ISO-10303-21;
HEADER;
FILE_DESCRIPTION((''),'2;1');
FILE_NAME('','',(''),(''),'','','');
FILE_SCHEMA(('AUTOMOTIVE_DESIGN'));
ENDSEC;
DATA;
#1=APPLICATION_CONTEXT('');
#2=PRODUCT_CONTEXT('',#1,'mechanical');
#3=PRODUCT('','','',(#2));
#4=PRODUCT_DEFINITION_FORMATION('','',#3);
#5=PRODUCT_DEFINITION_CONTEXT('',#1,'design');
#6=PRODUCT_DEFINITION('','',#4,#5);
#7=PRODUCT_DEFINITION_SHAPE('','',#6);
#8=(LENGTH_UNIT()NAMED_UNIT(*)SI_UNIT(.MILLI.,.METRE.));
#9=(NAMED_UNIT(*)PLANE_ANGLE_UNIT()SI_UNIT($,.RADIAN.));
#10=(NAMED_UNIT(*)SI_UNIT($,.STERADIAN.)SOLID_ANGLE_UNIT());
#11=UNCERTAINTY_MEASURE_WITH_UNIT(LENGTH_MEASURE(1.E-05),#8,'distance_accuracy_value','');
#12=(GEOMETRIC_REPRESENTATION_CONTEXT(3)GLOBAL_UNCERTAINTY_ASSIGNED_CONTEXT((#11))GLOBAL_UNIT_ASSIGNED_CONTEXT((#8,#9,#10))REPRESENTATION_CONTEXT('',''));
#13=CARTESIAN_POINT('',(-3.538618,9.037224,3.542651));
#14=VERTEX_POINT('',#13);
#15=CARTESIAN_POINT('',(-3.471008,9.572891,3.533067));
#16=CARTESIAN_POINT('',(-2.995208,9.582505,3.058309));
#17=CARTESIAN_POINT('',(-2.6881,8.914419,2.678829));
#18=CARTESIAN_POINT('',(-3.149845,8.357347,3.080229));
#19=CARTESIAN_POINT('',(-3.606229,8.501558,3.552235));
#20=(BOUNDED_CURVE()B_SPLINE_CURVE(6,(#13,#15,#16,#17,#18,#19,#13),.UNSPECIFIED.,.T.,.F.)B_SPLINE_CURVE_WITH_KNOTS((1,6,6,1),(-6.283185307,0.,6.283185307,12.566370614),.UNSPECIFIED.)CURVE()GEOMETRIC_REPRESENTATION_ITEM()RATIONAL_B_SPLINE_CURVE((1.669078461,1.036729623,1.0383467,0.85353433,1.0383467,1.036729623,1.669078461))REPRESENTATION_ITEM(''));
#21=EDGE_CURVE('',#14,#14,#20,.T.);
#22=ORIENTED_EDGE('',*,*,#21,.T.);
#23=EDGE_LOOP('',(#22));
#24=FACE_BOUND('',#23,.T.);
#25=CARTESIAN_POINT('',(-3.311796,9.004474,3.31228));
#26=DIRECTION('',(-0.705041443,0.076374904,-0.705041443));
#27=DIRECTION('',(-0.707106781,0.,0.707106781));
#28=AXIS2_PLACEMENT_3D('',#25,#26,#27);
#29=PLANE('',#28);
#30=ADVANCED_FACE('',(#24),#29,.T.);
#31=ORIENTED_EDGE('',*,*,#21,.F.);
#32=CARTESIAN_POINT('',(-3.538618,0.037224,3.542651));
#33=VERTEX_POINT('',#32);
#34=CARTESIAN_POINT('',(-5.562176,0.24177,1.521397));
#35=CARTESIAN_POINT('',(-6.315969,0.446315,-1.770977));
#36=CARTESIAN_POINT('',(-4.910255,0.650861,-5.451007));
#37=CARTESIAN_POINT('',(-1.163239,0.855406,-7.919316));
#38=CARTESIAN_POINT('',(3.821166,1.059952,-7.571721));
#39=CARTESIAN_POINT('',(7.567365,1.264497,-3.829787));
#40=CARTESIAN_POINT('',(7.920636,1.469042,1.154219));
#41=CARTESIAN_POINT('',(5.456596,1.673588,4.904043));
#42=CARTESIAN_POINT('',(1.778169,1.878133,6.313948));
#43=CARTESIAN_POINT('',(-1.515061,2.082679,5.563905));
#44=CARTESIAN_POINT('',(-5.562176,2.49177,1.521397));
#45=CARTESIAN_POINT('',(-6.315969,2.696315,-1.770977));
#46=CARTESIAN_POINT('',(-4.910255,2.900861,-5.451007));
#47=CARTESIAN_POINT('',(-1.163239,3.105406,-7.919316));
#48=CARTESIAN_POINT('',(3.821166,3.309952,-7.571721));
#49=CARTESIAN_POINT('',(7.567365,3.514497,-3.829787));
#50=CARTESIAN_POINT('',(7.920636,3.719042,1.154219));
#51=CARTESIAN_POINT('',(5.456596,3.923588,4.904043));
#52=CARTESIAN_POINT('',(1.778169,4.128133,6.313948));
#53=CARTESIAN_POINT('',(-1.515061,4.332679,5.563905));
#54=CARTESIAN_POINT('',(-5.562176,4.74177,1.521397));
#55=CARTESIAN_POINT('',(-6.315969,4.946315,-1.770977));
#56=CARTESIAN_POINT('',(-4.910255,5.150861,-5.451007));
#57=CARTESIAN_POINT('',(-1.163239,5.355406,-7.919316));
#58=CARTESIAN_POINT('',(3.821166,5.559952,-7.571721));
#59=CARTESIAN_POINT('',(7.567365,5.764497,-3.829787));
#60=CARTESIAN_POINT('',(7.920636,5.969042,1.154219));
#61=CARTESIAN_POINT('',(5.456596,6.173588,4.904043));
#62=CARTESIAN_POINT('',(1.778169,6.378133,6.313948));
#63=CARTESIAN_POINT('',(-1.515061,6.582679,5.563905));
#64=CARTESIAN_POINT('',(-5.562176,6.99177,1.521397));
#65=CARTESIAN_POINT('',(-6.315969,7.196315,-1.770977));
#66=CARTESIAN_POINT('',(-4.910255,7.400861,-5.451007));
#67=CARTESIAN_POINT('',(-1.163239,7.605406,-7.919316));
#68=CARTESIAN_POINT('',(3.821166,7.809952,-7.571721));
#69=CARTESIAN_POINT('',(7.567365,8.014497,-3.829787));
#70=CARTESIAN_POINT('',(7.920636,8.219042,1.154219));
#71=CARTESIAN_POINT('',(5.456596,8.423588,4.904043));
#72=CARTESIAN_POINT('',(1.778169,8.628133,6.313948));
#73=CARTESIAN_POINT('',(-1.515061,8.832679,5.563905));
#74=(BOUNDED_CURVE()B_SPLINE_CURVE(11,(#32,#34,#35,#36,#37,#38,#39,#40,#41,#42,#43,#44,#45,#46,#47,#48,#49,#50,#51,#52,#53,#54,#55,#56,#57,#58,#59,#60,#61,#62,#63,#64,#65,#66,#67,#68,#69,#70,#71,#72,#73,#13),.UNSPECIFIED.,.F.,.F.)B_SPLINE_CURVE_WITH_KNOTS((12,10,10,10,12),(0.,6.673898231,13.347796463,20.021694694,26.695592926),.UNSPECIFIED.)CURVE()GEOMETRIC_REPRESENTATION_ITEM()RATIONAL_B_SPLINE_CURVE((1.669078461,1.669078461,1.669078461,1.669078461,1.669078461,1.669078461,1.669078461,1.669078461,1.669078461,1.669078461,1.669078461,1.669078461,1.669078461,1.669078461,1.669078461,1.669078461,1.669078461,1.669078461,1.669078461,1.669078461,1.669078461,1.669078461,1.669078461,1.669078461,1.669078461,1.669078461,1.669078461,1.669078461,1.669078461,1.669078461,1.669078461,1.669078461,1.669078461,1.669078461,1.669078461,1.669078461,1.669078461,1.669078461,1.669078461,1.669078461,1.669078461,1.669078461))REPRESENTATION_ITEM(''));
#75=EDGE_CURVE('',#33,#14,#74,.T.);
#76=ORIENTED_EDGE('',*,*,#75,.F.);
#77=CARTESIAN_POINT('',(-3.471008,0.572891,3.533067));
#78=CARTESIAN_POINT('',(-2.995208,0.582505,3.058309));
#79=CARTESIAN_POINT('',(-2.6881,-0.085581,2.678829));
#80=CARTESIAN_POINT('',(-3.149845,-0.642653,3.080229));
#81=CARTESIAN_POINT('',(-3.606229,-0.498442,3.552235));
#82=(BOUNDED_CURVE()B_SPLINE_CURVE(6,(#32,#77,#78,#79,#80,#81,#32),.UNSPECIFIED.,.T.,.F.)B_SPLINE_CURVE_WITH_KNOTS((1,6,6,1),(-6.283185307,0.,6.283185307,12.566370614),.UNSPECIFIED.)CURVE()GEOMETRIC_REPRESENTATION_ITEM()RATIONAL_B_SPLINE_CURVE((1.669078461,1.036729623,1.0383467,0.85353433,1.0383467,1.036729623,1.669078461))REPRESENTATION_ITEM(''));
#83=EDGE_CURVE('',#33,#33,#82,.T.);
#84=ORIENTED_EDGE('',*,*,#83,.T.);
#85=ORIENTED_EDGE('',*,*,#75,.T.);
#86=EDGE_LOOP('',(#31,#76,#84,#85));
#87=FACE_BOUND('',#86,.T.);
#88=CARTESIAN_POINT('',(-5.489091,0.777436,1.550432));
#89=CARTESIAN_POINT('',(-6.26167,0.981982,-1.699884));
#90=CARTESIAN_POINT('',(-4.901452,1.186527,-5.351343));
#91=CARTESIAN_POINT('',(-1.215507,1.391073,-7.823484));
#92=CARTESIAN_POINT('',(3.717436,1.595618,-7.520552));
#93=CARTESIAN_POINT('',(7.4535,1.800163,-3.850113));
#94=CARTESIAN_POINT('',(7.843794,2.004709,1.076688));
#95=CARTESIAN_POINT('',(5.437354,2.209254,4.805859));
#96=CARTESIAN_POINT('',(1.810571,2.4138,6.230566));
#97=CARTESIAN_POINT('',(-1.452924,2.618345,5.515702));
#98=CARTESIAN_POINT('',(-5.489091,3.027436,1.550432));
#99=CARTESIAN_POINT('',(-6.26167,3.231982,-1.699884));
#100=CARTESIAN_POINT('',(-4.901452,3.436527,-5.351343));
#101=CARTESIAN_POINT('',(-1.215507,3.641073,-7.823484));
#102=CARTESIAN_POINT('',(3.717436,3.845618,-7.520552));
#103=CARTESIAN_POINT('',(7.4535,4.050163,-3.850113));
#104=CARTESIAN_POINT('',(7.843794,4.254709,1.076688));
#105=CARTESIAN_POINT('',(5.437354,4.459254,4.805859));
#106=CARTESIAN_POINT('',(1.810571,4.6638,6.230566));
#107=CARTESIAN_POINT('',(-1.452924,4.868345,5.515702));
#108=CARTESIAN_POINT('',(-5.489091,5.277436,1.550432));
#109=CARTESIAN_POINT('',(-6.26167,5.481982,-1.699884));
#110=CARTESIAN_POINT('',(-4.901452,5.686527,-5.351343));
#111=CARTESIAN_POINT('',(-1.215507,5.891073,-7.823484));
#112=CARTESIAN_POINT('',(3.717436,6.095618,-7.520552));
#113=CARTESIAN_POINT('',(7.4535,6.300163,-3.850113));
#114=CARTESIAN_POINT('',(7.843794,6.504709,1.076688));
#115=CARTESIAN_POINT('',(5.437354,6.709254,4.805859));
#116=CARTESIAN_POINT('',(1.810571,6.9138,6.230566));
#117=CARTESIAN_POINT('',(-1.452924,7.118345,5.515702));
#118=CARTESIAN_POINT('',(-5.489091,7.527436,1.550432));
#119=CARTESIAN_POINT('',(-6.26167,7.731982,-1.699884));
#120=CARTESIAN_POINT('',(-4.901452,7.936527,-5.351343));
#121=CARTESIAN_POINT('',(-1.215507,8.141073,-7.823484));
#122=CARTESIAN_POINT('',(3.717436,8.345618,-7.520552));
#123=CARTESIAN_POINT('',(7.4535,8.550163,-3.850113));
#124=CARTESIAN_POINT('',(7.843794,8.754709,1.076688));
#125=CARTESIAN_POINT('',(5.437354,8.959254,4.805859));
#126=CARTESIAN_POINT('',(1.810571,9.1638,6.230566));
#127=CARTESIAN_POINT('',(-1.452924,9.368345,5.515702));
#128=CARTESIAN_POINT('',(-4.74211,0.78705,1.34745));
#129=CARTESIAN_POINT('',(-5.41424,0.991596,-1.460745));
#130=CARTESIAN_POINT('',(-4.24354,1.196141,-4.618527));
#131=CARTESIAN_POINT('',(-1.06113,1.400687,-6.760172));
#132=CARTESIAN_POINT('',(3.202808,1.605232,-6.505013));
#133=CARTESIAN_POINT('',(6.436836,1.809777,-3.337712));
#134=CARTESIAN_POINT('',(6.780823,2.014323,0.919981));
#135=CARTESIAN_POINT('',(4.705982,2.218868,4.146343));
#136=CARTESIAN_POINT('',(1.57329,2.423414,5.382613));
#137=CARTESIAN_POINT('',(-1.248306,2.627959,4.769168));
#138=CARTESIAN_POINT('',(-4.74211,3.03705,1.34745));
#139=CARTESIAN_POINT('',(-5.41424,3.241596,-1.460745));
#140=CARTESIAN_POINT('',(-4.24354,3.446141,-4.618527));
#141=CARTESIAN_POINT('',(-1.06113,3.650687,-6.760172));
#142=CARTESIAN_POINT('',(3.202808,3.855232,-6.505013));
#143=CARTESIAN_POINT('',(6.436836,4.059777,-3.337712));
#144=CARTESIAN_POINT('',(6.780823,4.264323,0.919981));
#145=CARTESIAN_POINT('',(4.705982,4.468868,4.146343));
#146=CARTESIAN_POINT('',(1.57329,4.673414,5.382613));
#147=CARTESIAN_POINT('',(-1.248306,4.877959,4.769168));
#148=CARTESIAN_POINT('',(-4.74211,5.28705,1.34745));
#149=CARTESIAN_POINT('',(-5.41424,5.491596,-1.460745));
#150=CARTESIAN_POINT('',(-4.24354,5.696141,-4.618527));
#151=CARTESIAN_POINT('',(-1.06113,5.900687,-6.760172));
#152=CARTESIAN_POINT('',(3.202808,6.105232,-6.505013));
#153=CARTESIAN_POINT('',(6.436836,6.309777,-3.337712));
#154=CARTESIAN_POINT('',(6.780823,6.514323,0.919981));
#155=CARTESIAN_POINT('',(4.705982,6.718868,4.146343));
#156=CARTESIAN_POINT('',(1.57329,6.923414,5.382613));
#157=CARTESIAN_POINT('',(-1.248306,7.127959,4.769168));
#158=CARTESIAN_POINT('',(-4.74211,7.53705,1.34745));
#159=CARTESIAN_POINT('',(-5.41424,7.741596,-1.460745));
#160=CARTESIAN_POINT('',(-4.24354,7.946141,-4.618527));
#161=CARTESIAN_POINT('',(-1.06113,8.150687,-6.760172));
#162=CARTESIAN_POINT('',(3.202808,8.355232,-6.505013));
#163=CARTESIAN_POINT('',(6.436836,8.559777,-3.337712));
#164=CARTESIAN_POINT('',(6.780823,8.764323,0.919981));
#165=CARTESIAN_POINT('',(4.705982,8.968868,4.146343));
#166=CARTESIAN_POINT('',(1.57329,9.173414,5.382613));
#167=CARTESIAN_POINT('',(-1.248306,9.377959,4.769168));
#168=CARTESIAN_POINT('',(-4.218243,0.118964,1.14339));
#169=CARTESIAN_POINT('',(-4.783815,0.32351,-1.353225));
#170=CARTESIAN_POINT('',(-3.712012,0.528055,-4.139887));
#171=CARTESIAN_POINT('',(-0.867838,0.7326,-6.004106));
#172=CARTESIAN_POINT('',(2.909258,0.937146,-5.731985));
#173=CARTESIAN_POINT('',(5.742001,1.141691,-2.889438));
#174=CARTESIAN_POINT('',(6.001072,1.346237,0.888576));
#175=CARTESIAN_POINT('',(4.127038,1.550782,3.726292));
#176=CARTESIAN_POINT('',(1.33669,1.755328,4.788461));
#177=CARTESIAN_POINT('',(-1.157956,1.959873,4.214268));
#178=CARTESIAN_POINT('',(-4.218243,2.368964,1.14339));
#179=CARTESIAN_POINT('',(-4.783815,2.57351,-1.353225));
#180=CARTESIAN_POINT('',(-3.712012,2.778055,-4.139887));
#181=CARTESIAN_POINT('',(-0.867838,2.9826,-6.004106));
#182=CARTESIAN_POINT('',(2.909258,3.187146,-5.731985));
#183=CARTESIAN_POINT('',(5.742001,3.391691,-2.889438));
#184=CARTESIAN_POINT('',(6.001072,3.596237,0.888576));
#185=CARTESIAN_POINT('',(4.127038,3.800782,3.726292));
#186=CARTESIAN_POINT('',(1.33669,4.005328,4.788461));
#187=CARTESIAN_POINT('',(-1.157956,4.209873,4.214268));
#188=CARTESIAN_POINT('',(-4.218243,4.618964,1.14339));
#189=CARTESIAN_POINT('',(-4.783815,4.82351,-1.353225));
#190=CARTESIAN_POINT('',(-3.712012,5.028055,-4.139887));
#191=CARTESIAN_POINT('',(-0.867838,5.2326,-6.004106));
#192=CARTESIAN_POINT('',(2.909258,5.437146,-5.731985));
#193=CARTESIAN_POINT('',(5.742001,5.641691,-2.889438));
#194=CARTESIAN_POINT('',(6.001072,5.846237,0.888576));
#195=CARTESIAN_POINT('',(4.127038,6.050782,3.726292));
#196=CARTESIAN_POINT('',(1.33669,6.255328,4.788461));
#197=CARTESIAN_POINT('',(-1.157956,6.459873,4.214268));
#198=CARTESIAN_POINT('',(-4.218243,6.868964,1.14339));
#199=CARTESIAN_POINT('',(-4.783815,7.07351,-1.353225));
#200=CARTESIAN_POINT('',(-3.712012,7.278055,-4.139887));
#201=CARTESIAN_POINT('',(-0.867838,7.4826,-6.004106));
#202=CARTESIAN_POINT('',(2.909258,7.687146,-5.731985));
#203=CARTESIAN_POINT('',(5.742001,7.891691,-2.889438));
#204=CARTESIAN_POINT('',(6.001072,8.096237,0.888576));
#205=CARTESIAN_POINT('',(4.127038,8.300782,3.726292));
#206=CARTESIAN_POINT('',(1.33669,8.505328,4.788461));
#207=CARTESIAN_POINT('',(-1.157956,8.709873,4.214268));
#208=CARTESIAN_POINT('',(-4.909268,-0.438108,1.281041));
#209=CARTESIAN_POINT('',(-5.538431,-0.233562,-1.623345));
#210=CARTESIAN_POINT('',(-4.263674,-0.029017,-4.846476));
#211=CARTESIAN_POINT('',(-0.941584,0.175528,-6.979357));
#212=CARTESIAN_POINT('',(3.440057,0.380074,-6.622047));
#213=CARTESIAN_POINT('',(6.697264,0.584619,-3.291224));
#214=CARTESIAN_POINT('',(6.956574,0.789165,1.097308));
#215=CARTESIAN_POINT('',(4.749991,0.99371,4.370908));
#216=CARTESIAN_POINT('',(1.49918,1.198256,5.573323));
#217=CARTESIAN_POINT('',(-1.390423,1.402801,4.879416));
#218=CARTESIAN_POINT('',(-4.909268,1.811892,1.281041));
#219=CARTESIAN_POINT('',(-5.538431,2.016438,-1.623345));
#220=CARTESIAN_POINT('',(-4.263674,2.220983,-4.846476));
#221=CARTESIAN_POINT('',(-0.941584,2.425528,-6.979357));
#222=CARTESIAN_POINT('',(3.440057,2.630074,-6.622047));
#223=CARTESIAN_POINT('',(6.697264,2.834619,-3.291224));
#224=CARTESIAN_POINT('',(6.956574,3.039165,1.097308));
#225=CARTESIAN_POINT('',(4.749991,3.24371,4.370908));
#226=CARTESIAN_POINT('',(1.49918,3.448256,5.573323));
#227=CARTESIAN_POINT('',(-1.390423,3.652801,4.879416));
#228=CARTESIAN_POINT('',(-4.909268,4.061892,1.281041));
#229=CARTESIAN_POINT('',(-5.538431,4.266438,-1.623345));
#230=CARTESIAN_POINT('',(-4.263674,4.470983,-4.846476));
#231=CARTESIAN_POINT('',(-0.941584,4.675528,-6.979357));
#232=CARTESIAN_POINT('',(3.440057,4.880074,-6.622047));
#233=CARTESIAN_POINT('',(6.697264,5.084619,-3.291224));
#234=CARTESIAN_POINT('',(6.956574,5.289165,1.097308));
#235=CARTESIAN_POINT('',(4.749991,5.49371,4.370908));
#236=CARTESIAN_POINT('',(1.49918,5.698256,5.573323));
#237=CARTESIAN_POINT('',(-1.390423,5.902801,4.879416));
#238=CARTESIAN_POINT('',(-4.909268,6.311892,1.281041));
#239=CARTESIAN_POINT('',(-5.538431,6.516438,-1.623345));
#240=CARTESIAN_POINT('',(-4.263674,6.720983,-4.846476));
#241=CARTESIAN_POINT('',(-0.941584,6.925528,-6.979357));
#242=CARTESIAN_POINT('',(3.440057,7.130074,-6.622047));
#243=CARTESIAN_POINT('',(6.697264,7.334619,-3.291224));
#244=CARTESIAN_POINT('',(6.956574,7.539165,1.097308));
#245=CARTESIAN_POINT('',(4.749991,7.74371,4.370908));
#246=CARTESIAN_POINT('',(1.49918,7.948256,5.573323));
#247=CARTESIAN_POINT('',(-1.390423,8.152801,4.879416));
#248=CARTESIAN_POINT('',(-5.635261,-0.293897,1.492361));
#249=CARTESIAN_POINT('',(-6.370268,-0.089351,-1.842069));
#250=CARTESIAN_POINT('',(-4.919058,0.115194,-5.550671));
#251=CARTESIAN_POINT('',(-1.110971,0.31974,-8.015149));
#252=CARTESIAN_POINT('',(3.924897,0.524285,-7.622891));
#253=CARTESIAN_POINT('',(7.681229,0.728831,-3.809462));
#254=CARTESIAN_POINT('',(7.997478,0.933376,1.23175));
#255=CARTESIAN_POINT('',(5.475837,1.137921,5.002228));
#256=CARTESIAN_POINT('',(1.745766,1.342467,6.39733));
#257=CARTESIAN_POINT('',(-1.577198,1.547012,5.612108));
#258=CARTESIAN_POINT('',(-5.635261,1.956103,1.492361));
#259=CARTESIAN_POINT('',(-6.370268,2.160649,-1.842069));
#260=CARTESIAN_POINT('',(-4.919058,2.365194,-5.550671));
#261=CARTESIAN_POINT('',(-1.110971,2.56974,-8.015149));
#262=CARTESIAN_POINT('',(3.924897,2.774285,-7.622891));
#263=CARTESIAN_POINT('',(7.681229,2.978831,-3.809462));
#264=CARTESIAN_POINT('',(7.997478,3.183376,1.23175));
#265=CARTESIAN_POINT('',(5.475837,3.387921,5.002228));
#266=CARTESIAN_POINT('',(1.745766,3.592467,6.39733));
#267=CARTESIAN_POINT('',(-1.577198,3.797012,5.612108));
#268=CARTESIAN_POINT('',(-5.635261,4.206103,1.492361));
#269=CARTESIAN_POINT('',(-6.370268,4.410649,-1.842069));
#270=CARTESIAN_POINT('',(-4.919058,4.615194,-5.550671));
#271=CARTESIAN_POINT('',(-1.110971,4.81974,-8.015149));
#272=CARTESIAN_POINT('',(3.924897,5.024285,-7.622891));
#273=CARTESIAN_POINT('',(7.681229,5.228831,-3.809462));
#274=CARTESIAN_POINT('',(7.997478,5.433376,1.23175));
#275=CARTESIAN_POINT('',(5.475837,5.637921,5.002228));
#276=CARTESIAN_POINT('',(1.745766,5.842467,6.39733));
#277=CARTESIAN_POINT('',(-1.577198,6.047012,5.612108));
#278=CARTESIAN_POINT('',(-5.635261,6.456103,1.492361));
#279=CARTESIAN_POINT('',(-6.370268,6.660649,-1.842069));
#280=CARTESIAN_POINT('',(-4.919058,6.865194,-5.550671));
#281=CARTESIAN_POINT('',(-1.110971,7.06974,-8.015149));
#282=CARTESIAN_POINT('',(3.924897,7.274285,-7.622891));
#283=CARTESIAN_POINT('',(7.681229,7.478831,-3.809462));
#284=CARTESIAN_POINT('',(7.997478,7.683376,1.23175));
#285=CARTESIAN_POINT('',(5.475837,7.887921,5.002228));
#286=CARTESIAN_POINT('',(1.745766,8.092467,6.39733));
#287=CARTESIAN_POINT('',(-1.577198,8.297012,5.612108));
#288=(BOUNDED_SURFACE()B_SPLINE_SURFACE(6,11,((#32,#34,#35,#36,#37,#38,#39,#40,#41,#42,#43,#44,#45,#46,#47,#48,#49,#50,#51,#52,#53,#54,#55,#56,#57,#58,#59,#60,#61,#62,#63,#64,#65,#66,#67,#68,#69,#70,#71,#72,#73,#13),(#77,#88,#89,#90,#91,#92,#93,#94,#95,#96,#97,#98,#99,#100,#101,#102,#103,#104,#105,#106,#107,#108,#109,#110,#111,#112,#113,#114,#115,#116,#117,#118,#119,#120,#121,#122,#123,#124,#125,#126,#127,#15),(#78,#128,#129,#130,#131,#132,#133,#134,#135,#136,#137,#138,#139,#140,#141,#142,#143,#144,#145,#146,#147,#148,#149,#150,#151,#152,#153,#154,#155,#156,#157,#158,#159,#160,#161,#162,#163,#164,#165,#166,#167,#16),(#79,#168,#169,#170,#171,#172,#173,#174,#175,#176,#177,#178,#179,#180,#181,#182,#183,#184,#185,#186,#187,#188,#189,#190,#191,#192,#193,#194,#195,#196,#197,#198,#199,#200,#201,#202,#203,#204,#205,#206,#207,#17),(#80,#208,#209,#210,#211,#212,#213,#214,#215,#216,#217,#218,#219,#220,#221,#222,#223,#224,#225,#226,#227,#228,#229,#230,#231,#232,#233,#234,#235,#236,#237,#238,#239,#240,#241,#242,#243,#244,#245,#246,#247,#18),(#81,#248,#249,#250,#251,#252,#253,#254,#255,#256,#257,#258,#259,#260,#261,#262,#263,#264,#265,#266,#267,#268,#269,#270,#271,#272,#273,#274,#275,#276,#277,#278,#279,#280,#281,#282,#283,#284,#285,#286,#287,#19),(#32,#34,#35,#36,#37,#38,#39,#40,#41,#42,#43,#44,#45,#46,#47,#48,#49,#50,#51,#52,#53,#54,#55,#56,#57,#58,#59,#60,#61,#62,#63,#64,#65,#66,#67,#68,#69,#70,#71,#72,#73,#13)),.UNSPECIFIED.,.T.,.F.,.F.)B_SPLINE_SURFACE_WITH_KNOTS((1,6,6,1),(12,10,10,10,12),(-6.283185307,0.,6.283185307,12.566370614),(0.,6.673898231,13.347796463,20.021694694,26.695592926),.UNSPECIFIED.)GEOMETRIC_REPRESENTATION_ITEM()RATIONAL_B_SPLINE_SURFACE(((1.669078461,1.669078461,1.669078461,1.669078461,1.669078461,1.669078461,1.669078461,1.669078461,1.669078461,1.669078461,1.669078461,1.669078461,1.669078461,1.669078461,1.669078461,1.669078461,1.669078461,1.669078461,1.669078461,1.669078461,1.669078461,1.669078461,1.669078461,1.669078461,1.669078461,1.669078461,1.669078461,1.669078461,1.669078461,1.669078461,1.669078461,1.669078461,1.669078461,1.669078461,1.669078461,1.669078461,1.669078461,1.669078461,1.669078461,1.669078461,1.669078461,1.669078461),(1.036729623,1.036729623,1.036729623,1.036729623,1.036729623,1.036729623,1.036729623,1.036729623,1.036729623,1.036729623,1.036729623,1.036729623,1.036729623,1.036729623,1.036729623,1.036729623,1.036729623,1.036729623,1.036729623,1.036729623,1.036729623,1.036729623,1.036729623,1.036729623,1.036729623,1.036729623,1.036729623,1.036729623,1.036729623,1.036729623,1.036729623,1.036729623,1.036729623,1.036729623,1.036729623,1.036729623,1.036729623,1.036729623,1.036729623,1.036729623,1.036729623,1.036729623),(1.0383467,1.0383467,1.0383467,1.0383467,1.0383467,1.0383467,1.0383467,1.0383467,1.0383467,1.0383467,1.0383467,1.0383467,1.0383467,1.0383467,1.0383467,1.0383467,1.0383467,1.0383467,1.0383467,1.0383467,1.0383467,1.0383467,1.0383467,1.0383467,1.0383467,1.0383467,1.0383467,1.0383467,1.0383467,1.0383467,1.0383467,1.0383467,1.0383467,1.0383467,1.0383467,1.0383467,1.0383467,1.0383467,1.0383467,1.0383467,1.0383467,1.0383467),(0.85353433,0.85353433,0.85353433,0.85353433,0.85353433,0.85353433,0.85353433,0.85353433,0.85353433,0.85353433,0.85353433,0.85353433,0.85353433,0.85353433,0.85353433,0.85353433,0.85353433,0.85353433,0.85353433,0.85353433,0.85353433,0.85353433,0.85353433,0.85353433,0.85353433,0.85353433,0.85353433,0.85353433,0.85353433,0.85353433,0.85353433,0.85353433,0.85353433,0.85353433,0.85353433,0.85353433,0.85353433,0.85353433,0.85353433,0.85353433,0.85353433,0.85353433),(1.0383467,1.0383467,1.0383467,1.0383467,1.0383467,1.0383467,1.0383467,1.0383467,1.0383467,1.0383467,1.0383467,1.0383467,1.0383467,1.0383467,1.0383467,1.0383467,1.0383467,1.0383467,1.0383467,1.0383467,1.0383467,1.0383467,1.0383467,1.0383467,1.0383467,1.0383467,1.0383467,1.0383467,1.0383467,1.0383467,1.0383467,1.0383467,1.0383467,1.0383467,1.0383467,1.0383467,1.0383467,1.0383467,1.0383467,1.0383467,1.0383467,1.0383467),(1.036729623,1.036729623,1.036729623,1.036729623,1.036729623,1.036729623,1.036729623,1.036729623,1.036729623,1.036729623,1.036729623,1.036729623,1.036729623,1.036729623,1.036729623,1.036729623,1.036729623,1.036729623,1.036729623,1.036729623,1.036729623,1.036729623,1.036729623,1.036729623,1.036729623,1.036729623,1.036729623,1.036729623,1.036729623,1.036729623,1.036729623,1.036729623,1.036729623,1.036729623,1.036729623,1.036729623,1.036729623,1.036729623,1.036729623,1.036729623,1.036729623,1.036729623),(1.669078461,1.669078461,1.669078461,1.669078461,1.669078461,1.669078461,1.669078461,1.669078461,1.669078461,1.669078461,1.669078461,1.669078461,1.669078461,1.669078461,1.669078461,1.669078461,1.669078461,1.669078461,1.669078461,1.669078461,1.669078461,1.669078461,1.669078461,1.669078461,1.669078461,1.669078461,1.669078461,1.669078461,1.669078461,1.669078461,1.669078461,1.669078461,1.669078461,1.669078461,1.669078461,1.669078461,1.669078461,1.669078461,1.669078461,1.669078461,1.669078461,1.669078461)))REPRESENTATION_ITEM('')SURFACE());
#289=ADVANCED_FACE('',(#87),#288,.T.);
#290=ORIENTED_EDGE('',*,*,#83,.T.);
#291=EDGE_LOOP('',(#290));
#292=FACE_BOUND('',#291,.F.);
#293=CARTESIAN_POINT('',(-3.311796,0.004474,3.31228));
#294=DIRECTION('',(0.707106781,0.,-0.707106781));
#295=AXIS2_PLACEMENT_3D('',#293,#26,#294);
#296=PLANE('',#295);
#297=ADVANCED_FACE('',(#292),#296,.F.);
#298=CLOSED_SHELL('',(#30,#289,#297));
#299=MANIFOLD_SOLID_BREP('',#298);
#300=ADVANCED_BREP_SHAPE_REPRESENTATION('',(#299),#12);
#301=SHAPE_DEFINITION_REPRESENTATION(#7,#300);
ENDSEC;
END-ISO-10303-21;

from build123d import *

# Parameters (mm, degrees)
SWEEP1_PITCH       = 2.25
SWEEP1_HEIGHT      = 9
SWEEP1_RADIUS      = 4.675
SWEEP1_START_ANGLE = -45
SKETCH4_R          = 0.325


with BuildPart() as part:
    # Sweep1: sweep along a helix
    with BuildLine() as sweep1_path:
        add(Helix(SWEEP1_PITCH, SWEEP1_HEIGHT, SWEEP1_RADIUS, center=(0, 0, 0), direction=(0, 1, 0), lefthand=True, mode=Mode.PRIVATE).rotate(Axis((0, 0, 0), (0, 1, 0)), SWEEP1_START_ANGLE))
    # Sketch4 → Sweep1 (sweep)
    with BuildSketch(Plane(origin=(-3.305724202, 0, 3.305724202), x_dir=(-0.6980260214538225, 0.10078733494589155, 0.7089439939006836), z_dir=(-0.7050414434643476, 0.07637490422541598, -0.7050414434643313))):
        with Locations((0.00928562, 0.003561064)):
            Circle(SKETCH4_R)
    sweep(path=sweep1_path.line, is_frenet=True)


solid = part.part
